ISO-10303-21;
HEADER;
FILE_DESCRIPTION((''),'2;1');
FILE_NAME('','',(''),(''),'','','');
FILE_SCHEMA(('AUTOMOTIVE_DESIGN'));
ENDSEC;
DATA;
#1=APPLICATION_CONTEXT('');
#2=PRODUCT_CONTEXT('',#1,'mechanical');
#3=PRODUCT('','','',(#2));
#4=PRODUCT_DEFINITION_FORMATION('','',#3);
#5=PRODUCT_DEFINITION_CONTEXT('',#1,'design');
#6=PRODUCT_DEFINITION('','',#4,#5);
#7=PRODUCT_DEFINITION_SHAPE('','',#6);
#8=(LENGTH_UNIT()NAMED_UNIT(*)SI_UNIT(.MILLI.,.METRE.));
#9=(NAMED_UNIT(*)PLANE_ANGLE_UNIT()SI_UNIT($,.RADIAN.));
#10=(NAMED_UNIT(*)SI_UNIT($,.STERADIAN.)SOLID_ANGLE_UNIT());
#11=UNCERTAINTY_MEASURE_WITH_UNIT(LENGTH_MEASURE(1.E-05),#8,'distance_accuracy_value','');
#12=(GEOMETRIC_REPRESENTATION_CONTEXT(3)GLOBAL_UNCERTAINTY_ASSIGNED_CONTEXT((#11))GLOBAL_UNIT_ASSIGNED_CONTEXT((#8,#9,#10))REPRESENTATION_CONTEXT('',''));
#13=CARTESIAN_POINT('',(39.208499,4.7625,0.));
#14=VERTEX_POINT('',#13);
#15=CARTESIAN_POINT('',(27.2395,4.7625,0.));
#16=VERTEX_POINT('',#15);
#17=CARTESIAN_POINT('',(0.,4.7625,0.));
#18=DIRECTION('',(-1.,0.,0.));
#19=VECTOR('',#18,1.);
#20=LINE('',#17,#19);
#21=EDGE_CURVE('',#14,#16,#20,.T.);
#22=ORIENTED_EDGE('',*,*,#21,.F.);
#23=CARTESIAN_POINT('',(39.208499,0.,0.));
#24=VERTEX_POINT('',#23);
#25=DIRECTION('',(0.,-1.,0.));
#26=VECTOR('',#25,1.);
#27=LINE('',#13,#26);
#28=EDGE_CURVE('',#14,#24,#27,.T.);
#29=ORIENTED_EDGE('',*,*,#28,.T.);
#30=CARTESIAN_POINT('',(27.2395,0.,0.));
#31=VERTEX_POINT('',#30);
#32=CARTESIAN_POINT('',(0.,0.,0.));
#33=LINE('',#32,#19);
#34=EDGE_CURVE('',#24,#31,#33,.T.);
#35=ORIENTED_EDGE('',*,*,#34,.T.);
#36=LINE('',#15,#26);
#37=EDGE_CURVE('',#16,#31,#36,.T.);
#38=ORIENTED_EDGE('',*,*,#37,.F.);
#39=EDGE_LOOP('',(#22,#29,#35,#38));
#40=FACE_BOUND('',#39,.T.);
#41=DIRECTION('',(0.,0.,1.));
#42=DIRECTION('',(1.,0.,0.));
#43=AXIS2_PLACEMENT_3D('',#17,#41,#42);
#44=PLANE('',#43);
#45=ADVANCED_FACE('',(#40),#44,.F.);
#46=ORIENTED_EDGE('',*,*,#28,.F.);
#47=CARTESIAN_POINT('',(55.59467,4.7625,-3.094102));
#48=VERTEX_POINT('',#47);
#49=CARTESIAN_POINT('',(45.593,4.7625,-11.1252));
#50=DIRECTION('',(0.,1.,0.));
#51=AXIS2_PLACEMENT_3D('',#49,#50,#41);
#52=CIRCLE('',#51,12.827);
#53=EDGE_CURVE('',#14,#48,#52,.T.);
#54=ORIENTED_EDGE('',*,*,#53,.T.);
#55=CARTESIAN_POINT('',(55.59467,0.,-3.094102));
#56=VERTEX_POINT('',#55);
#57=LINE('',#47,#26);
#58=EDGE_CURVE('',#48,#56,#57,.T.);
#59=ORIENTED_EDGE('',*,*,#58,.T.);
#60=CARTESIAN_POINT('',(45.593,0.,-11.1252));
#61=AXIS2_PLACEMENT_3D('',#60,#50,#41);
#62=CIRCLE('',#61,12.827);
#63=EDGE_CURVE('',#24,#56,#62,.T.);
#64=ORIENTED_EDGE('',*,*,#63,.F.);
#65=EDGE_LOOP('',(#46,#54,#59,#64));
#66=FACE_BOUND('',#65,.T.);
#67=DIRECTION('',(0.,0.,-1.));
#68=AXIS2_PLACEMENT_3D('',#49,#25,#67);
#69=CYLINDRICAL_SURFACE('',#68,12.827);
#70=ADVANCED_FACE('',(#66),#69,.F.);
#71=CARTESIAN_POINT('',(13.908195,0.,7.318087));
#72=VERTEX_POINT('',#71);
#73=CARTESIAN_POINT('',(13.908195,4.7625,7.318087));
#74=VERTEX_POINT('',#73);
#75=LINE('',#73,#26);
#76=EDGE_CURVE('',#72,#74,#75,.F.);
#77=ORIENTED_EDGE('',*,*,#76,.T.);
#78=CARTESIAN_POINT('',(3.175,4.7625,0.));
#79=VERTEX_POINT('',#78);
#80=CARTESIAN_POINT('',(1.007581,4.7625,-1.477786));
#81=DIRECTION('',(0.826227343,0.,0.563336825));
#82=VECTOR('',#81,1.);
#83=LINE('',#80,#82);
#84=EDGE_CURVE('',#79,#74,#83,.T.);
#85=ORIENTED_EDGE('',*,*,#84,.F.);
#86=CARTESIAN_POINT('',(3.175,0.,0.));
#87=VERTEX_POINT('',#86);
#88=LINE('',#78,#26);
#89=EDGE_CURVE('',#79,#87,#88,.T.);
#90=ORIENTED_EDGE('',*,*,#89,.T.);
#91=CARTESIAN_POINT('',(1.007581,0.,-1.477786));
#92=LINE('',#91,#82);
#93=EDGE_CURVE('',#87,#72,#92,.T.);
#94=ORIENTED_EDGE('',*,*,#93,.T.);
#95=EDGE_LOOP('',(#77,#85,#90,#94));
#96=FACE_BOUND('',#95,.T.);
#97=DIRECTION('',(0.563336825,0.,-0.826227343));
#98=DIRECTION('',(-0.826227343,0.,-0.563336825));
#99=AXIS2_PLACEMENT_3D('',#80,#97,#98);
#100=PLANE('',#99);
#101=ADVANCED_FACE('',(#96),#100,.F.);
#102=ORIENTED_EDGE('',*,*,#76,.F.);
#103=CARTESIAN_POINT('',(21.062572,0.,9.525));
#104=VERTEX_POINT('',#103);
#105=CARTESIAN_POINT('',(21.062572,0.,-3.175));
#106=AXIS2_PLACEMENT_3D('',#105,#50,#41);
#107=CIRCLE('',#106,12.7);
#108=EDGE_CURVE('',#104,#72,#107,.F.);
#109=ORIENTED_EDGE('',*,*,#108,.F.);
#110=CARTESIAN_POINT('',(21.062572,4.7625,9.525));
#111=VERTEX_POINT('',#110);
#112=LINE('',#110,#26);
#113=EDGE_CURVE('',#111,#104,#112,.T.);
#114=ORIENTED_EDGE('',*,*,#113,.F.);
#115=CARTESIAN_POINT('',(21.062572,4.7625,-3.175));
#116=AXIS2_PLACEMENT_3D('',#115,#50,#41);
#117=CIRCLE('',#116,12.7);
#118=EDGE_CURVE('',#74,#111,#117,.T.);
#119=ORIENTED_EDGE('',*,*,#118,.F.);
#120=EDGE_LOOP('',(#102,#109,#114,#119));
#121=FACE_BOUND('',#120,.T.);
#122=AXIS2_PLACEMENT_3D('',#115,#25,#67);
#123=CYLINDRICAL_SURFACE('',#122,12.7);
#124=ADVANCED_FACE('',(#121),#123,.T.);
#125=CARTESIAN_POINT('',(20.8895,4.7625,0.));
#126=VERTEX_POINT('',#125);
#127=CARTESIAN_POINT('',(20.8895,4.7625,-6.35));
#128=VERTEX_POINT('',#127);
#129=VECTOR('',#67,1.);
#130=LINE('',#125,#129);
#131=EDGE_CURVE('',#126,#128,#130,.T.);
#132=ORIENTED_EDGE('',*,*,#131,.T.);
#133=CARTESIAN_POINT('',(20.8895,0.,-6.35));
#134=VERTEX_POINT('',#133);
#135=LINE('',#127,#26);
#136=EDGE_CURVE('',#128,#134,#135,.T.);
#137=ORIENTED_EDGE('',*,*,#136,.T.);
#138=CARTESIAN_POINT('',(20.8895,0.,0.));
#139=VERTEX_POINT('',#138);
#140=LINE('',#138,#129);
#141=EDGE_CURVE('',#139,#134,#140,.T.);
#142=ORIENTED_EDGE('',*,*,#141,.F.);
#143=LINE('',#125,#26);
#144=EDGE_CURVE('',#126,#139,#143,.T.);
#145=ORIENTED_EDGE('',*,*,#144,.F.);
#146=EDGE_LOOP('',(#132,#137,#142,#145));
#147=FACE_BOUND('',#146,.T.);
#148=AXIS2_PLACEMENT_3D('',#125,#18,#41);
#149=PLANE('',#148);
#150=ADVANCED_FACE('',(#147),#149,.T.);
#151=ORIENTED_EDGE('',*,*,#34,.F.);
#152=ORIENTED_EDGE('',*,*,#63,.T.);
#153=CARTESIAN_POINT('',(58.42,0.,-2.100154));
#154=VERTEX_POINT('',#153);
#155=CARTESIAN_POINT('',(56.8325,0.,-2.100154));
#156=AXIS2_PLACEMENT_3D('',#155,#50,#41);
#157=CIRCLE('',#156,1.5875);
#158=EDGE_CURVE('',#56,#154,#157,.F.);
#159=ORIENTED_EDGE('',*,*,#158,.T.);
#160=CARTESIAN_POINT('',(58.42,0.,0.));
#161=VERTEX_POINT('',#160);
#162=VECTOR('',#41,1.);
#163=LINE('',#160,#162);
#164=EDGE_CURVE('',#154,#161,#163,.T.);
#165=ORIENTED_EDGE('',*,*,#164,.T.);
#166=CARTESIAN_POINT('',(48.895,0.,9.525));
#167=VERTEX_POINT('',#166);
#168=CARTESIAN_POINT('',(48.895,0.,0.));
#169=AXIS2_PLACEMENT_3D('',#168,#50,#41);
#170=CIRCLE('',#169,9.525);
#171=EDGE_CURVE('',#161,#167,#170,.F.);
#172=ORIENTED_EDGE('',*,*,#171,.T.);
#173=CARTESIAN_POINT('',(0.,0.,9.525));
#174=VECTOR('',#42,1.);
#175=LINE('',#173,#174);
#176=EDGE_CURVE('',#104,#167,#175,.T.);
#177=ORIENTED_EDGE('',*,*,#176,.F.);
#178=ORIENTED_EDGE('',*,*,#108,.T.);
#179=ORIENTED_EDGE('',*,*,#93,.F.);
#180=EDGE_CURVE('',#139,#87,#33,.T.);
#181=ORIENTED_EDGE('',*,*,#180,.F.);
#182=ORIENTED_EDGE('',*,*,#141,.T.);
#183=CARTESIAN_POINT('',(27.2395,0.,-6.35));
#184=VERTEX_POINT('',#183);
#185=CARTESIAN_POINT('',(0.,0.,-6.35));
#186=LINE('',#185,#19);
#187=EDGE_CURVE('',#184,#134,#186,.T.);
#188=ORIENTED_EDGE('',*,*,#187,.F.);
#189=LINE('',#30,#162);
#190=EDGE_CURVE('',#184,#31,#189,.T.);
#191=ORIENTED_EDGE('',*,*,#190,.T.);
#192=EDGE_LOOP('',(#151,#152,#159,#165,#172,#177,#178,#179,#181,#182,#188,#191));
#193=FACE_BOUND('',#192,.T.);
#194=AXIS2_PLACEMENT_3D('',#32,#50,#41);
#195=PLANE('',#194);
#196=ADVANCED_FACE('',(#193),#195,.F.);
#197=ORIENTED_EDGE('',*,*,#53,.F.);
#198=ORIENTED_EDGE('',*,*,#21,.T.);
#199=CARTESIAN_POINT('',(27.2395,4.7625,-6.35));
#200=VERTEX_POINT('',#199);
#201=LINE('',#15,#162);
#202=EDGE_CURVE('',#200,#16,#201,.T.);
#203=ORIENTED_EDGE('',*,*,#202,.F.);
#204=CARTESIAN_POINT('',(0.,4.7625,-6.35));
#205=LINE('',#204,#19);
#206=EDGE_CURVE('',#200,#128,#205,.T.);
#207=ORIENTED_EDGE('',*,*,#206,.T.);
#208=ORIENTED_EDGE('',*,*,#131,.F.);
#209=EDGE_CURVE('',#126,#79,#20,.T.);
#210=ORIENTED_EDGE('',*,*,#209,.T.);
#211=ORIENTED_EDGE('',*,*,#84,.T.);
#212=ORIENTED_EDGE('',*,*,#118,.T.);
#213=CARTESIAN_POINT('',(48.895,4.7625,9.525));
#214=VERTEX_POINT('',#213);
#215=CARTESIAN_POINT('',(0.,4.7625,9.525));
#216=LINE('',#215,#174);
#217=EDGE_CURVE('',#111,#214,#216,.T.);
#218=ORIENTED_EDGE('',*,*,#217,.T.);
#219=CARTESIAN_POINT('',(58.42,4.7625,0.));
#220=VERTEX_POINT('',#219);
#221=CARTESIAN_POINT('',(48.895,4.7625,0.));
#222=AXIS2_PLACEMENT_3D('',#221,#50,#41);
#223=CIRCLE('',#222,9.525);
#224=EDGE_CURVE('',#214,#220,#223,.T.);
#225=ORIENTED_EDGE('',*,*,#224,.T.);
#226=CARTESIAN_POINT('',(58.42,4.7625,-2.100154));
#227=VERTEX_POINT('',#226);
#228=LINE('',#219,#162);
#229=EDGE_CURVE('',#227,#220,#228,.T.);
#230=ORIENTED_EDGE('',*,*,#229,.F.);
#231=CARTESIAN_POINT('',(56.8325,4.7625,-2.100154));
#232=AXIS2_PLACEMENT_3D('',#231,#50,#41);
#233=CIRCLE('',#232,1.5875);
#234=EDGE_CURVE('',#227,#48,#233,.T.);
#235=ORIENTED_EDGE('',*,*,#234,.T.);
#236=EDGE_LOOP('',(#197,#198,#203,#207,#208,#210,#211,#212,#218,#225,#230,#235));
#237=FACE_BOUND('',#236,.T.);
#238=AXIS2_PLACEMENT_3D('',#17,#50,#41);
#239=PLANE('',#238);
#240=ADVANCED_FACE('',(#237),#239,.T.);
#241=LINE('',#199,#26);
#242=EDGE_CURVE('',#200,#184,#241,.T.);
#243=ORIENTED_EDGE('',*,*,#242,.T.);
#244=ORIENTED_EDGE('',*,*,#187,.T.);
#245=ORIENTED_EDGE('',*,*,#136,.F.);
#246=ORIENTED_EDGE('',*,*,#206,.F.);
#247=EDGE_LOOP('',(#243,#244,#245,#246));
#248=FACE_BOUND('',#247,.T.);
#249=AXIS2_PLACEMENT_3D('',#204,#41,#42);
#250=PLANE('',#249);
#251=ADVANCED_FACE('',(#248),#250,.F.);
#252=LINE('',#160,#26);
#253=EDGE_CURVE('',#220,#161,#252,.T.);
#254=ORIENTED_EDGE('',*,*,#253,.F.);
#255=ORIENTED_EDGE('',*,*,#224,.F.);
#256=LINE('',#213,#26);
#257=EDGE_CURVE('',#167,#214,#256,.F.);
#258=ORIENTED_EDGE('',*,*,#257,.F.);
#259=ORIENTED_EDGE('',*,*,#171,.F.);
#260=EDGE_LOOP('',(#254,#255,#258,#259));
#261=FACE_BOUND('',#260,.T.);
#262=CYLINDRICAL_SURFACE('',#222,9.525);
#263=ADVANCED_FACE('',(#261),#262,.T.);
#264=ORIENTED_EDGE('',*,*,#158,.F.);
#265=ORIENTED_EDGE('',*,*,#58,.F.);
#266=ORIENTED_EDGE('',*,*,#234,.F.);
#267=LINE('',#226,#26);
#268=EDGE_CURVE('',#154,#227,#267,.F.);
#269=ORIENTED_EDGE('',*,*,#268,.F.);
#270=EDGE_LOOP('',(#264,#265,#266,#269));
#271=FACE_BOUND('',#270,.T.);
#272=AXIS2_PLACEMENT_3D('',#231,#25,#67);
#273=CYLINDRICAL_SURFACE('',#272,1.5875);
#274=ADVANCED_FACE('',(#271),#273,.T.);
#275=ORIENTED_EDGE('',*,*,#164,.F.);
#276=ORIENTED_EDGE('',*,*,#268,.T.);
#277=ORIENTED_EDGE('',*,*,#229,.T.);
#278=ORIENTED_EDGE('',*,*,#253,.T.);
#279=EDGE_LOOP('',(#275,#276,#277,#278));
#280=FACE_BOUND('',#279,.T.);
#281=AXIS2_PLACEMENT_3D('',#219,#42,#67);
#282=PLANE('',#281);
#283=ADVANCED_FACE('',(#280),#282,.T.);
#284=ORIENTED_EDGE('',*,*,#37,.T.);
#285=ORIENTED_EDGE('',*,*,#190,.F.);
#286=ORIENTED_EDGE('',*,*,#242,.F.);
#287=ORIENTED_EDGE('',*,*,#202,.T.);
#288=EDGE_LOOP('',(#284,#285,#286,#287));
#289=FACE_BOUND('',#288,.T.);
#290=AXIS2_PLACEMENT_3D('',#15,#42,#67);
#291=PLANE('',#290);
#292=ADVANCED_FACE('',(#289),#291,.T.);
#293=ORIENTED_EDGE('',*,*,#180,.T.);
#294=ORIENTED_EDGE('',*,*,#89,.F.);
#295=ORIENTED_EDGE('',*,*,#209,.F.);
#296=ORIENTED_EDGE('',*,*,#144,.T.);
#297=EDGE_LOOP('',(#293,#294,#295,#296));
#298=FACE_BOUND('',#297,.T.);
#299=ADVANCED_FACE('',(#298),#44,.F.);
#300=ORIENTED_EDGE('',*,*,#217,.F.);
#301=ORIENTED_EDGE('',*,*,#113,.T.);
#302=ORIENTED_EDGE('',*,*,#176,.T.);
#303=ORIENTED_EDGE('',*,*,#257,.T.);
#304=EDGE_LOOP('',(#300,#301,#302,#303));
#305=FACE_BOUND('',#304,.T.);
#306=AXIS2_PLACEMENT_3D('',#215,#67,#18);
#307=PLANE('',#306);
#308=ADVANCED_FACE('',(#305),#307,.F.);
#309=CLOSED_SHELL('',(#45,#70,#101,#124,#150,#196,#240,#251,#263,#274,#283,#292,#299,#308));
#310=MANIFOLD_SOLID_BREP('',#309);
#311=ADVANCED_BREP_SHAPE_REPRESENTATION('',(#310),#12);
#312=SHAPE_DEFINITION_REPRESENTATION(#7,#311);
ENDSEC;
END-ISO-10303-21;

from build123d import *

# Parameters (mm, degrees)
BOSS_EXTRUDE1_DEPTH = 4.7625
FILLET1_R           = 9.525
FILLET2_R           = 1.5875
FILLET4_R           = 12.7
SKETCH2_W           = 6.35
SKETCH2_H           = 6.35
BOSS_EXTRUDE2_DEPTH = 4.7625


with BuildPart() as part:
    # Sketch1 → Boss-Extrude1 (new body)
    with BuildSketch(Plane(origin=(0, 0, 0), x_dir=(1, 0, 0), z_dir=(0, 1, 0))):
        with BuildLine():
            ThreePointArc((58.42, 11.1252), (52.020983, 0.025067), (39.208499, 0))
            Line((39.208499, 0), (3.175, 0))
            Line((3.175, 0), (17.145, -9.525))
            Line((17.145, -9.525), (58.42, -9.525))
            Line((58.42, -9.525), (58.42, 11.1252))
        make_face()
    extrude(amount=BOSS_EXTRUDE1_DEPTH)

    # Fillet1
    fillet1_edges = [part.edges().sort_by_distance(p)[0] for p in [
        (58.42, 2.38125, 9.525),
    ]]
    fillet(fillet1_edges, radius=FILLET1_R)

    # Fillet2
    fillet2_edges = [part.edges().sort_by_distance(p)[0] for p in [
        (58.42, 2.38125, -11.1252),
    ]]
    fillet(fillet2_edges, radius=FILLET2_R)

    # Fillet4
    fillet4_edges = [part.edges().sort_by_distance(p)[0] for p in [
        (17.145, 2.38125, 9.525),
    ]]
    fillet(fillet4_edges, radius=FILLET4_R)

    # Sketch2 → Boss-Extrude2 (add)
    with BuildSketch(Plane.XZ):
        with Locations((24.0645, -3.175)):
            Rectangle(SKETCH2_W, SKETCH2_H)
    extrude(amount=-BOSS_EXTRUDE2_DEPTH)


solid = part.part
